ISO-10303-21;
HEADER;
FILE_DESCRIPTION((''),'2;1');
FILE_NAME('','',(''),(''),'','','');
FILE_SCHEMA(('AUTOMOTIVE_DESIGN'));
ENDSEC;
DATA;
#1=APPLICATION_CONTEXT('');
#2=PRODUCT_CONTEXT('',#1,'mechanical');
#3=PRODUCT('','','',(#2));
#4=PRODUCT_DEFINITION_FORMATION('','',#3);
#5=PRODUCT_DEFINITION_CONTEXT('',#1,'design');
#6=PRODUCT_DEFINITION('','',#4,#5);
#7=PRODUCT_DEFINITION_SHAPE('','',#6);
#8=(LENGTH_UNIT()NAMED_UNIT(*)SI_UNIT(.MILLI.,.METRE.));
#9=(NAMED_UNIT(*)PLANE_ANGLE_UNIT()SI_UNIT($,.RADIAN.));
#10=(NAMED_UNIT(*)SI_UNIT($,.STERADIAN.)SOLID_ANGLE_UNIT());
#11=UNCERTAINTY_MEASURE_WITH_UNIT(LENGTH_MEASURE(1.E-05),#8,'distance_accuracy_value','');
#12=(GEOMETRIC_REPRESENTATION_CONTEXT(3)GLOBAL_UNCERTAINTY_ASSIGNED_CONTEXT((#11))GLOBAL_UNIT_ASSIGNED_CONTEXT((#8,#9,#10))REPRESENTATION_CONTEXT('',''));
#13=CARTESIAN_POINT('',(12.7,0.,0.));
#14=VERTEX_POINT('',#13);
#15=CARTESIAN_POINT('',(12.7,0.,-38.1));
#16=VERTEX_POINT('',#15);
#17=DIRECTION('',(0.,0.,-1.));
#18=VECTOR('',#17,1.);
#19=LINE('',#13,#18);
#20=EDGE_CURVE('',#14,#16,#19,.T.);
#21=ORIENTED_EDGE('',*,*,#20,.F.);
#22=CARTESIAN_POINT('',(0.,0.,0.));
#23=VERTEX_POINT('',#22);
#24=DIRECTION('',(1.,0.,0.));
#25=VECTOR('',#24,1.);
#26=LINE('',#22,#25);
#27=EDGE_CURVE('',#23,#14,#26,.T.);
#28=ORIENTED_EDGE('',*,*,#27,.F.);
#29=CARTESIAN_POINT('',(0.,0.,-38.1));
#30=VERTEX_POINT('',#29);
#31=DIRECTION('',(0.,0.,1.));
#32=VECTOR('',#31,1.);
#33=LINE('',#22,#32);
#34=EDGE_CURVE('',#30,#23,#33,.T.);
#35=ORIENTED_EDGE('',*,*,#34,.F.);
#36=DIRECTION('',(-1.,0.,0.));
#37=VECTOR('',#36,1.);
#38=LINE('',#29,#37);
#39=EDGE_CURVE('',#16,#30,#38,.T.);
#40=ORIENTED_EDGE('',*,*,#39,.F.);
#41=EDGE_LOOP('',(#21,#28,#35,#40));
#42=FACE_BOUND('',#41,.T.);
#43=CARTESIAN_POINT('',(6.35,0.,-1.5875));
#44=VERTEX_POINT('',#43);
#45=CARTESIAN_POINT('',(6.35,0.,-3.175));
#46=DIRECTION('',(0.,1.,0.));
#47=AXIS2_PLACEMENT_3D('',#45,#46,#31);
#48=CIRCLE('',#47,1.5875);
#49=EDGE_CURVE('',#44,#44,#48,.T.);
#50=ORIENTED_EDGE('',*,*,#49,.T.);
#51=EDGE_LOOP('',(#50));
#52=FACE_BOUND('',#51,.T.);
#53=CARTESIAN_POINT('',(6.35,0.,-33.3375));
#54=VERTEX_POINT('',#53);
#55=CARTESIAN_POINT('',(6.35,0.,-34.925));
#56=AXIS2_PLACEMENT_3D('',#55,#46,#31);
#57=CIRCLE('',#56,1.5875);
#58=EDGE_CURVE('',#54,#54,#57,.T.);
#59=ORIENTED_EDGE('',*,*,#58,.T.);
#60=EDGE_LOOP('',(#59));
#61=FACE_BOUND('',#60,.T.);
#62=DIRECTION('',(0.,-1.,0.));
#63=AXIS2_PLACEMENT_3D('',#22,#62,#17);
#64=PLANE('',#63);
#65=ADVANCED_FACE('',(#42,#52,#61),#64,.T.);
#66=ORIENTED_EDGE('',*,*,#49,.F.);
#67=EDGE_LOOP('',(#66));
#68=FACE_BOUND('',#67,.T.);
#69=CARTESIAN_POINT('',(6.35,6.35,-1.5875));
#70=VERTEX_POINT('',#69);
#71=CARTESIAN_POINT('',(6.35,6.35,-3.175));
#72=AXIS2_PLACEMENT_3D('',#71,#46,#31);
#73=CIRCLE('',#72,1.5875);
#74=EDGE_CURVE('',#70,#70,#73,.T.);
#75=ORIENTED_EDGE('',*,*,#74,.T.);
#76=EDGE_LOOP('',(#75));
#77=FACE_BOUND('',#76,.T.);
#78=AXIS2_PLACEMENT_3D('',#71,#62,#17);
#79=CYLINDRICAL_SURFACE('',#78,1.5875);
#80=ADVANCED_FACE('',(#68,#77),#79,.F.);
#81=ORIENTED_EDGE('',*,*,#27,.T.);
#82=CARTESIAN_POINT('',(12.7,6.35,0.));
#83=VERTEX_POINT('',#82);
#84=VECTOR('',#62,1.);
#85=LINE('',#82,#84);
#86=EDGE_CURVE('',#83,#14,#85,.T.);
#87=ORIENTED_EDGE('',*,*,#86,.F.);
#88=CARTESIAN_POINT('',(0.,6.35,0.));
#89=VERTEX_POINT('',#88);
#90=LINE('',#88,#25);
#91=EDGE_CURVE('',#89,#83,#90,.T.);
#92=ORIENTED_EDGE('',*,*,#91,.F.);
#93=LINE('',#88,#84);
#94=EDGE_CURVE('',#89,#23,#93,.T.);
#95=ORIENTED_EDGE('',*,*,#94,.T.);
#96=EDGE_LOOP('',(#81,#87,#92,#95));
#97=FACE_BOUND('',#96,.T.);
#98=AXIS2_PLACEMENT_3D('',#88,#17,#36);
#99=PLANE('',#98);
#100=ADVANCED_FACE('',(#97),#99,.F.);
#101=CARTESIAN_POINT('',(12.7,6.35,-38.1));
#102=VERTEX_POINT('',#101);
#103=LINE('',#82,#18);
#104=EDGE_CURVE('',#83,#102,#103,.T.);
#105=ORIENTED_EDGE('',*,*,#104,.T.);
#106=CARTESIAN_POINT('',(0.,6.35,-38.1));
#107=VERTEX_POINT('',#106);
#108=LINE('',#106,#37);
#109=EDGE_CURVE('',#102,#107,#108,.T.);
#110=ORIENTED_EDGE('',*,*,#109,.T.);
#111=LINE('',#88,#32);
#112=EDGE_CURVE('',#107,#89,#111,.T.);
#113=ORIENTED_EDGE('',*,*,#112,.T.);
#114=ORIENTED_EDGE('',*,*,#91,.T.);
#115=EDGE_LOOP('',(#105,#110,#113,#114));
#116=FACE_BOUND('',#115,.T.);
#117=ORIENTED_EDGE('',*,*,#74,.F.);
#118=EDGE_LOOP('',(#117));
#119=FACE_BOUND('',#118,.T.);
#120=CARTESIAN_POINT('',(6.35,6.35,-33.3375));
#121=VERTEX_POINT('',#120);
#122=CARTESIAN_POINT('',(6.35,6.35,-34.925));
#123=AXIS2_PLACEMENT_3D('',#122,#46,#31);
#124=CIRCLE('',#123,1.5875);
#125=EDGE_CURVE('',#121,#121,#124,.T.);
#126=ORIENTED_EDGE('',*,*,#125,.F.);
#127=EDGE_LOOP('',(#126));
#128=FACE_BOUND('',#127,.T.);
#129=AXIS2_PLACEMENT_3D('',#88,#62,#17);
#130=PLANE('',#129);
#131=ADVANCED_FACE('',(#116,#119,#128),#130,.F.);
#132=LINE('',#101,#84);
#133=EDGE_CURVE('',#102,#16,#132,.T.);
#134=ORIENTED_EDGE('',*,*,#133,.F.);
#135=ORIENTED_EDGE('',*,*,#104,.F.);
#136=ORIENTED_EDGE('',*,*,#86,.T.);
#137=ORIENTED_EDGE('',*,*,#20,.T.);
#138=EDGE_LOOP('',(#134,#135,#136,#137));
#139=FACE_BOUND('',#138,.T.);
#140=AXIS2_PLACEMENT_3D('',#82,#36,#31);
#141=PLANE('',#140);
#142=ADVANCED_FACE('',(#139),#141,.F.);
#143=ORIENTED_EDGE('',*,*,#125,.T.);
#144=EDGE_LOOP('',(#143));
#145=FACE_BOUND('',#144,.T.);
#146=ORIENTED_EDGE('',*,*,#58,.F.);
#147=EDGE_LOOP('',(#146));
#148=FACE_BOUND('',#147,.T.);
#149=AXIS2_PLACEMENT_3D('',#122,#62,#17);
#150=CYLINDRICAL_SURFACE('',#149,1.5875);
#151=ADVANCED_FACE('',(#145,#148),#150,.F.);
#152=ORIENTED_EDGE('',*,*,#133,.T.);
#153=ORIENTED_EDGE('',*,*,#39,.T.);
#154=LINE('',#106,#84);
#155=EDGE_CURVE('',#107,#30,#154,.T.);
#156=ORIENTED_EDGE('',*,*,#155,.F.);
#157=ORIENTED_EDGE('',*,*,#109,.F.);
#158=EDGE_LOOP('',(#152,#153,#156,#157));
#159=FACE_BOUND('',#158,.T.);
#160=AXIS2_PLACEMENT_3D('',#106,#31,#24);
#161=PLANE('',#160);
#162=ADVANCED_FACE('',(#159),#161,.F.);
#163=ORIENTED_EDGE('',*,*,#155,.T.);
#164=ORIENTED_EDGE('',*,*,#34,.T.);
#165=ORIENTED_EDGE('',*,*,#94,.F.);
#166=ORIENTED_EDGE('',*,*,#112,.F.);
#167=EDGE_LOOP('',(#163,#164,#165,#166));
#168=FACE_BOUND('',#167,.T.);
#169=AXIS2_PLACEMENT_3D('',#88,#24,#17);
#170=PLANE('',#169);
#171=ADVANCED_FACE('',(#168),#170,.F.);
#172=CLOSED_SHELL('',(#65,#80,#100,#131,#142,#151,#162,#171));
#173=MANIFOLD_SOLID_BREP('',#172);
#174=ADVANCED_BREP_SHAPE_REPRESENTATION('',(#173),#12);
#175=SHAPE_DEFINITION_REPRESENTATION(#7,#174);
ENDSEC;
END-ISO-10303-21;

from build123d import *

# Parameters (mm, degrees)
SKETCH1_W           = 12.7
SKETCH1_H           = 38.1
SKETCH1_R           = 1.5875
BOSS_EXTRUDE1_DEPTH = 6.35


with BuildPart() as part:
    # Sketch1 → Boss-Extrude1 (new body)
    with BuildSketch(Plane(origin=(0, 0, 0), x_dir=(1, 0, 0), z_dir=(0, 1, 0))):
        with Locations((6.35, 19.05)):
            Rectangle(SKETCH1_W, SKETCH1_H)
        with Locations(Location((6.35, 34.925, 0), (0, 0, 270))):
            Circle(SKETCH1_R, mode=Mode.SUBTRACT)
        with Locations(Location((6.35, 3.175, 0), (0, 0, 270))):
            Circle(SKETCH1_R, mode=Mode.SUBTRACT)
    extrude(amount=BOSS_EXTRUDE1_DEPTH)


solid = part.part
